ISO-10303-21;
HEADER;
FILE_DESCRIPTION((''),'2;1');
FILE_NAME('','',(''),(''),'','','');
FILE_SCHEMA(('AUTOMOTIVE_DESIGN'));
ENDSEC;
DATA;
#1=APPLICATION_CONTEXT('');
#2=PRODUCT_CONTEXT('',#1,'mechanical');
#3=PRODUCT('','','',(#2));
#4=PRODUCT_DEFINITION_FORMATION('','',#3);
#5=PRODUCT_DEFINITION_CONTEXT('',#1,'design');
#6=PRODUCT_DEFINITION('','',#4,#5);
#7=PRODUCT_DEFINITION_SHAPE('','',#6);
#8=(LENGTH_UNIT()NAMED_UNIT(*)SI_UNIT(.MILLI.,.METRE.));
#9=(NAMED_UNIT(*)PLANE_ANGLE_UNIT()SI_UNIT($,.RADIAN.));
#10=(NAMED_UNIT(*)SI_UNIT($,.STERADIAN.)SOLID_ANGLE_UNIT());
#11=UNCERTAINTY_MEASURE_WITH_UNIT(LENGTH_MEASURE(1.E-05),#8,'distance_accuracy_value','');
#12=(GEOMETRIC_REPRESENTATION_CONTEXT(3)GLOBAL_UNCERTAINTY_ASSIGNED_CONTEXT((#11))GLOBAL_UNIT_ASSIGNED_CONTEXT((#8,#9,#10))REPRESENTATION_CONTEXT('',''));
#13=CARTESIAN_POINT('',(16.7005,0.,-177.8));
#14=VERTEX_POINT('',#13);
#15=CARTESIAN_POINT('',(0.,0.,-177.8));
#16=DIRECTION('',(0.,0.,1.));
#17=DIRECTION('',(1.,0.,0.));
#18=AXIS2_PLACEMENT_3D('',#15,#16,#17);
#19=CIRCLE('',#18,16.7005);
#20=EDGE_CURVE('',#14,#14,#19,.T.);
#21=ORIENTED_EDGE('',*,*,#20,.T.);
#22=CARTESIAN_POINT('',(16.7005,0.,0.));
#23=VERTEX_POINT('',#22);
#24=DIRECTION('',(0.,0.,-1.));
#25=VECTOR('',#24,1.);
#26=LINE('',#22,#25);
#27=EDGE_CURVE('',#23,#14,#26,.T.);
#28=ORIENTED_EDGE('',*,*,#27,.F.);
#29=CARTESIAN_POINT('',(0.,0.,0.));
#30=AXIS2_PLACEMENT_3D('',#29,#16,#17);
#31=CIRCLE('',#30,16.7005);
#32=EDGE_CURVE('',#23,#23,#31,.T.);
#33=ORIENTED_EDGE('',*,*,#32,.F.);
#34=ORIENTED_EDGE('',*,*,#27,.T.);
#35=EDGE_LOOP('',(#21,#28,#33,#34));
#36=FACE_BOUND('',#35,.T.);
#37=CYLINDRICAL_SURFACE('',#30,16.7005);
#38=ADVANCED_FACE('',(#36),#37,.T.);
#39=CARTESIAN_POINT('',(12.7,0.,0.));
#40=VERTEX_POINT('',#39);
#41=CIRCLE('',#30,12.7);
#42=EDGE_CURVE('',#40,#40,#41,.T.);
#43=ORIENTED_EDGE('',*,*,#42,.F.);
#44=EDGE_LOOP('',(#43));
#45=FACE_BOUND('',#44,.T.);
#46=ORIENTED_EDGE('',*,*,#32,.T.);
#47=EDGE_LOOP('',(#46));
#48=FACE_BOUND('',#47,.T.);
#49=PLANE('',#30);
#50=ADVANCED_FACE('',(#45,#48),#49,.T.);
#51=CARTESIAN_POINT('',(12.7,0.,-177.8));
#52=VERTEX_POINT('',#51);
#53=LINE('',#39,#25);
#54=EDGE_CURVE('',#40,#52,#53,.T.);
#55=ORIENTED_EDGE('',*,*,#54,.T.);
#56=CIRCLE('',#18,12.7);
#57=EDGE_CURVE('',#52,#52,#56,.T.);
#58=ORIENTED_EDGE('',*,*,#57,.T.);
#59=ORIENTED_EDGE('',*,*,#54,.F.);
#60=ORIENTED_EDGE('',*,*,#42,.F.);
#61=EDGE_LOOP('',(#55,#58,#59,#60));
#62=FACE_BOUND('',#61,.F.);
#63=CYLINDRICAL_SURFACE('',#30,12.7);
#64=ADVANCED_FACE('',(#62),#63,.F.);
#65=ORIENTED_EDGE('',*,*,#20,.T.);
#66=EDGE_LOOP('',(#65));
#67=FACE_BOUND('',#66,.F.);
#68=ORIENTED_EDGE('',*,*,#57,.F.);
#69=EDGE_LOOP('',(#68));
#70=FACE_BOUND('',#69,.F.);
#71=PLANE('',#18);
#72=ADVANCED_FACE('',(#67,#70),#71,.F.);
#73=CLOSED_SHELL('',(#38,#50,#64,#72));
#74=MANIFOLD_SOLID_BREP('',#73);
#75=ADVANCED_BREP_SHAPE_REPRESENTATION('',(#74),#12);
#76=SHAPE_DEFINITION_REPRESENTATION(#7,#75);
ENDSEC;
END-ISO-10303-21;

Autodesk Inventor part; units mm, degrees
ref_plane "YZ Plane" through (0, 0, 0) normal (1, 0, 0) x (0, 1, 0)
ref_plane "XZ Plane" through (0, 0, 0) normal (0, 1, 0) x (-1, 0, 0)
ref_plane "XY Plane" through (0, 0, 0) normal (0, 0, 1) x (1, 0, 0)
sketch "Sketch1" plane through (0, 0, 0) normal (0, 0, 1) x (1, 0, 0)
  circle A0 centre (0, 0) radius 16.7005
  circle A1 centre (0, 0) radius 12.7
  dimension "d0" = 33.401
  dimension "d1" = 25.4
extrude "Extrusion1" add sketch "Sketch1" against normal blind 177.8
properties part number "Pipe 2"
